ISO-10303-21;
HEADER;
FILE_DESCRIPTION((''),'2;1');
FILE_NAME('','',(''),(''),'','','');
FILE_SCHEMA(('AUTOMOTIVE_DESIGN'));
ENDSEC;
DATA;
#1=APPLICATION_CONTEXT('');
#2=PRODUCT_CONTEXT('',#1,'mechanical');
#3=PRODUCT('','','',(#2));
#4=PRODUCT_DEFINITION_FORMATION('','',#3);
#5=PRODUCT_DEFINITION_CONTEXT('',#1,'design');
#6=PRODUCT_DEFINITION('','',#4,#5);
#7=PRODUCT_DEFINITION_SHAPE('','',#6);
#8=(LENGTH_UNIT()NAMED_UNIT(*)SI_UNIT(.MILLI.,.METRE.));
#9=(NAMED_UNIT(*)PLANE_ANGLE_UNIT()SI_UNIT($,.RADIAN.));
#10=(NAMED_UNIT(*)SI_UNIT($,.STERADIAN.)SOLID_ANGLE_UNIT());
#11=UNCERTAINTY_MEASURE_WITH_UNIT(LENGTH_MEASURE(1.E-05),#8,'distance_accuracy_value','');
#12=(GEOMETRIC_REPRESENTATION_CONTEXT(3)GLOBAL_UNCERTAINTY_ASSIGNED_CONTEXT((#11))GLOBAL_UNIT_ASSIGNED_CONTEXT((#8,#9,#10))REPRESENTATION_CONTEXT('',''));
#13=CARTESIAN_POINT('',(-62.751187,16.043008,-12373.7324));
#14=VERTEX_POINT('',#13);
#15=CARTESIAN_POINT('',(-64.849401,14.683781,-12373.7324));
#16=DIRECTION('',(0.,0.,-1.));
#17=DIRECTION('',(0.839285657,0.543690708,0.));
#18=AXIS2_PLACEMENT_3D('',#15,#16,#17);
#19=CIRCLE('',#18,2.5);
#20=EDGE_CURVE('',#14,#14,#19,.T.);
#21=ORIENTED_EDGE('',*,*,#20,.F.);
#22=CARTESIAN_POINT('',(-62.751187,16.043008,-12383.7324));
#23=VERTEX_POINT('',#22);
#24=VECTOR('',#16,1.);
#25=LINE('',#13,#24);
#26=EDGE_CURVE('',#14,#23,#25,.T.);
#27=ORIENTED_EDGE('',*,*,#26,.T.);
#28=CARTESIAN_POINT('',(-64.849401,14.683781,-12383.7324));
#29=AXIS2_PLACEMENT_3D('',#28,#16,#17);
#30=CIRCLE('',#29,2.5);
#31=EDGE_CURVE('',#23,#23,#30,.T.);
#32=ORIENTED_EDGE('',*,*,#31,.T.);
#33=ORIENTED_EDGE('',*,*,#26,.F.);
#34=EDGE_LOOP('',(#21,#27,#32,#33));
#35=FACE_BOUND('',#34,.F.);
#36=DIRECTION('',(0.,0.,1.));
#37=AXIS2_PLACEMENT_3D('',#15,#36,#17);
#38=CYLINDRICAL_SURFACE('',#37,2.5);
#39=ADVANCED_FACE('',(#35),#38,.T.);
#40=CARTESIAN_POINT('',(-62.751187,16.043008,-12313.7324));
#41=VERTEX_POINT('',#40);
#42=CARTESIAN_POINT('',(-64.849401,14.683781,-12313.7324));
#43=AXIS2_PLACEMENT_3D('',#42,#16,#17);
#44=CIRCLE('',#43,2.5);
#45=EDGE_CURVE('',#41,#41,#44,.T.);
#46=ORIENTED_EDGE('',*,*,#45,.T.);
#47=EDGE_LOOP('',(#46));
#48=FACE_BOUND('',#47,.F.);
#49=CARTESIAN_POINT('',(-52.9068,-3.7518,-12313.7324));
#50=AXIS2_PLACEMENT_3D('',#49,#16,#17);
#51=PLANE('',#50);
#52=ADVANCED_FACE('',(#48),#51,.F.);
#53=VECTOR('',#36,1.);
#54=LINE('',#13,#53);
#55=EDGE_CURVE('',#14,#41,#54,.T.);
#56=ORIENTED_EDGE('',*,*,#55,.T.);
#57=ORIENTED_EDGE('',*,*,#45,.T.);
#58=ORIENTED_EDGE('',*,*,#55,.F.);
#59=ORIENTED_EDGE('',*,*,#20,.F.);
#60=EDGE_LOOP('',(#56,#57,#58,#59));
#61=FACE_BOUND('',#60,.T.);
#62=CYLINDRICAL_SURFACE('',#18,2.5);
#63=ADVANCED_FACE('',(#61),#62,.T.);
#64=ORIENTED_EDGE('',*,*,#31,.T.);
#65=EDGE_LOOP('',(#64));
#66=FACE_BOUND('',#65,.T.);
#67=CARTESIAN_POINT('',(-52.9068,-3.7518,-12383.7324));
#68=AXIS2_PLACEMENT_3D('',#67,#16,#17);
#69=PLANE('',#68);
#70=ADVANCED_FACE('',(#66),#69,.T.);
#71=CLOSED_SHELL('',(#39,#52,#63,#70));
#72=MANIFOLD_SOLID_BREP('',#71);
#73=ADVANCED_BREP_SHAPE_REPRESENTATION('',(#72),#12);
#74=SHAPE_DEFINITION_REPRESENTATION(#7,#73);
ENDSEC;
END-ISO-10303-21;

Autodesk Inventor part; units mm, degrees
ref_plane "YZ Plane" through (0, 0, 0) normal (1, 0, 0) x (0, 1, 0)
ref_plane "XZ Plane" through (0, 0, 0) normal (0, 1, 0) x (-1, 0, 0)
ref_plane "XY Plane" through (0, 0, 0) normal (0, 0, 1) x (1, 0, 0)
ref_plane "РабПлоскость1" through (-52.9068, -3.7518, -12373.7324) normal (0, 0, -1) x (0.8393, 0.5437, 0)
sketch "Эскиз1" plane through (-52.9068, -3.7518, -12373.7324) normal (0, 0, -1) x (0.8393, 0.5437, 0)
  circle A0 centre (0, -21.9658) radius 2.6 projected
  circle A1 centre (0, -21.9658) radius 2.5
  point P0 (46.4438, 25.6157)
  dimension "d0" = 5
extrude "Выдавливание1" add sketch "Эскиз1" along normal blind 10 and the other way blind 60 contours A1
properties part number "вал"
